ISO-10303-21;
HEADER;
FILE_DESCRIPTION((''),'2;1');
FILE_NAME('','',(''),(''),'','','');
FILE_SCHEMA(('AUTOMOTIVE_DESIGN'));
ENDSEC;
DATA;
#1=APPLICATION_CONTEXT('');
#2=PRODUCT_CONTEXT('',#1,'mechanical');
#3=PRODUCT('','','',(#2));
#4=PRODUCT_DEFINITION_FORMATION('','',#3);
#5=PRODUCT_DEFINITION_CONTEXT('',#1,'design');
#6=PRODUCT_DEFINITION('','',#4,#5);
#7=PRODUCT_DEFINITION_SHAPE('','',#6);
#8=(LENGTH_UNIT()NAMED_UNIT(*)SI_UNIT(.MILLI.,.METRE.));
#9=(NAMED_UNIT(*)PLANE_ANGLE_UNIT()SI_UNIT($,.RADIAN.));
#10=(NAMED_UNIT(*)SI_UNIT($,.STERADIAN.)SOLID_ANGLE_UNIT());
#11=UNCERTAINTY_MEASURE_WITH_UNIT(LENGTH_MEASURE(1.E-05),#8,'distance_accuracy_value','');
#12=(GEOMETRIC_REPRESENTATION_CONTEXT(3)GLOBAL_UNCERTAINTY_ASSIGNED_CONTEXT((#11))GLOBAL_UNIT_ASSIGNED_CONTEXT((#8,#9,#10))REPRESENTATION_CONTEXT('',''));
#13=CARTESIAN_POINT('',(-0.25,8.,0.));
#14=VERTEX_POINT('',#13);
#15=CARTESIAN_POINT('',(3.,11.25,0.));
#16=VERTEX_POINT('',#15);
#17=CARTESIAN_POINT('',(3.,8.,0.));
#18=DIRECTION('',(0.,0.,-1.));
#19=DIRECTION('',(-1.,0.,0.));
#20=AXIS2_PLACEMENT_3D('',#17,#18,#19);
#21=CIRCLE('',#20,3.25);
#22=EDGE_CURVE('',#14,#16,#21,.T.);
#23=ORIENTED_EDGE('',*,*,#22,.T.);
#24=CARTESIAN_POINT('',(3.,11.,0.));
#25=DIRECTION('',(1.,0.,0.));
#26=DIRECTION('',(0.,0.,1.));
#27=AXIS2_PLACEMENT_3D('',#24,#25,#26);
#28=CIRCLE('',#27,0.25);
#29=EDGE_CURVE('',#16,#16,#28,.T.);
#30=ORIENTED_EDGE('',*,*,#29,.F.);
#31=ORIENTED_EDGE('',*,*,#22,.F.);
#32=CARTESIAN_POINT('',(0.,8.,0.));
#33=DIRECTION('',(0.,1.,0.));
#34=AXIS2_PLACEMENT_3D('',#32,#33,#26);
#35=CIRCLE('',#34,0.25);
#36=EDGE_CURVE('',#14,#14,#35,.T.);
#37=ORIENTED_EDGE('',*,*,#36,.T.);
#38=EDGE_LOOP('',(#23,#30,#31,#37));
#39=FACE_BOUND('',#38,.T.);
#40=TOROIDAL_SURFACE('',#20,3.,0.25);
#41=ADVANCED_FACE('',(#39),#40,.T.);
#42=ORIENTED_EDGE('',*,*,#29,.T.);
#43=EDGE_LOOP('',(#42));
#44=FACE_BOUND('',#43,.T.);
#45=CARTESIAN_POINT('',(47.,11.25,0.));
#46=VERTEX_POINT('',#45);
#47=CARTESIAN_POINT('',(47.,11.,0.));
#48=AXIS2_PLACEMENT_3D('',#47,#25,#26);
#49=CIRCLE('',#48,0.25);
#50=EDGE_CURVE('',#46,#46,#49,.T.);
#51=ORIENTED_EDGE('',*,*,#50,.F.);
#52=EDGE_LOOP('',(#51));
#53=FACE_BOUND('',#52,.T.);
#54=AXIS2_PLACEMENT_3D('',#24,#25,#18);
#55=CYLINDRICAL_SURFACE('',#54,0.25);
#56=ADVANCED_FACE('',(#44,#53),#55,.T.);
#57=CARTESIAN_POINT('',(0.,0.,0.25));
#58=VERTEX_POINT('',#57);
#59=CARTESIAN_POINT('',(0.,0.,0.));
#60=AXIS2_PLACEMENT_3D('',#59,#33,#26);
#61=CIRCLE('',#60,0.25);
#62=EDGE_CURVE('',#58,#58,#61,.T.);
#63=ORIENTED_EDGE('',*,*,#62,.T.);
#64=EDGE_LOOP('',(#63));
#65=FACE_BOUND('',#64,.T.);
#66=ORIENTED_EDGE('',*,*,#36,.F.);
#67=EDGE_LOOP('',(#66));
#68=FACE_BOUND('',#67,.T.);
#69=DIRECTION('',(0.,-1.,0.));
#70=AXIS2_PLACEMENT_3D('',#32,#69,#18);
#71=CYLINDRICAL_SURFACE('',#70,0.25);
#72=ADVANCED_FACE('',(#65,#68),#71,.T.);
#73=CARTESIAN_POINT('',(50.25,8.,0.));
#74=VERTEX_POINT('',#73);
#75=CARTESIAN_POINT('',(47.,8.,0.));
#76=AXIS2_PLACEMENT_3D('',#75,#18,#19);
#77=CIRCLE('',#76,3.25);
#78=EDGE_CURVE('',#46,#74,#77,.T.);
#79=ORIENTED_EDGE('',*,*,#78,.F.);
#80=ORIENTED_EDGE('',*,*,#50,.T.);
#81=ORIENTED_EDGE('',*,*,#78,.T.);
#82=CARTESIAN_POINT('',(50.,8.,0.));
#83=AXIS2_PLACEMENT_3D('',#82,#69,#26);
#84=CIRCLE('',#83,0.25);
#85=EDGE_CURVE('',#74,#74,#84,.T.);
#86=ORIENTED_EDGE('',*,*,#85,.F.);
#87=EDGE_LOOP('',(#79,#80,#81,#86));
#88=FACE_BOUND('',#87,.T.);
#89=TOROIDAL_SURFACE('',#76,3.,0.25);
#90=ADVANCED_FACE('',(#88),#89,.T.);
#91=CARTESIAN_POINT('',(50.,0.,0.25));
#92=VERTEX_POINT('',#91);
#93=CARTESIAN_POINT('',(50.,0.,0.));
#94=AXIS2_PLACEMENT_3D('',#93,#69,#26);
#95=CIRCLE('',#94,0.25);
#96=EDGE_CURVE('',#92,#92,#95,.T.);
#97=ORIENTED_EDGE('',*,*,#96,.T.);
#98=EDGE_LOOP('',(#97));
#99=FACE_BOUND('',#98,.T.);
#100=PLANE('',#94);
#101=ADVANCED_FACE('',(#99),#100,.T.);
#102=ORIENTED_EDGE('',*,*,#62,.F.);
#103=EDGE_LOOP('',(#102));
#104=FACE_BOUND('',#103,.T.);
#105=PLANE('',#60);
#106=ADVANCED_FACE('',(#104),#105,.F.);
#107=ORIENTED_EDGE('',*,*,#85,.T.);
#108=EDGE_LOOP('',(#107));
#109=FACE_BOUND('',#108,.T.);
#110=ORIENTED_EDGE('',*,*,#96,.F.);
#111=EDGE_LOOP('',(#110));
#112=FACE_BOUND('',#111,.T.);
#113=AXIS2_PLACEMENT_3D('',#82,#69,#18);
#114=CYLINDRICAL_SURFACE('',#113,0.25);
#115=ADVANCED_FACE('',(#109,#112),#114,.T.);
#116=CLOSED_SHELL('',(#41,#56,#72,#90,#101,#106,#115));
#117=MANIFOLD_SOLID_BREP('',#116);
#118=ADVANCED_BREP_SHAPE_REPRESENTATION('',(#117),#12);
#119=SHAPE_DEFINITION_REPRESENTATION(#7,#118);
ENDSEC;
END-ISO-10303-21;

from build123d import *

# Parameters (mm, degrees)
ESQUISSE4_R = 0.25


with BuildPart() as part:
    # Balayage1: sweep along a path in Esquisse1
    with BuildLine(Plane.XY) as balayage1_path:
        Line((0, 0), (0, 8))
        ThreePointArc((0, 8), (0.878679656, 10.121320344), (3, 11))
        Line((3, 11), (47, 11))
        ThreePointArc((47, 11), (49.121320344, 10.121320344), (50, 8))
        Line((50, 8), (50, 0))
    # Esquisse4 → Balayage1 (sweep)
    with BuildSketch(Plane(origin=(0, 0, 0), x_dir=(1, 0, 0), z_dir=(0, 1, 0))):
        Circle(ESQUISSE4_R)
    sweep(path=balayage1_path.line)


solid = part.part
